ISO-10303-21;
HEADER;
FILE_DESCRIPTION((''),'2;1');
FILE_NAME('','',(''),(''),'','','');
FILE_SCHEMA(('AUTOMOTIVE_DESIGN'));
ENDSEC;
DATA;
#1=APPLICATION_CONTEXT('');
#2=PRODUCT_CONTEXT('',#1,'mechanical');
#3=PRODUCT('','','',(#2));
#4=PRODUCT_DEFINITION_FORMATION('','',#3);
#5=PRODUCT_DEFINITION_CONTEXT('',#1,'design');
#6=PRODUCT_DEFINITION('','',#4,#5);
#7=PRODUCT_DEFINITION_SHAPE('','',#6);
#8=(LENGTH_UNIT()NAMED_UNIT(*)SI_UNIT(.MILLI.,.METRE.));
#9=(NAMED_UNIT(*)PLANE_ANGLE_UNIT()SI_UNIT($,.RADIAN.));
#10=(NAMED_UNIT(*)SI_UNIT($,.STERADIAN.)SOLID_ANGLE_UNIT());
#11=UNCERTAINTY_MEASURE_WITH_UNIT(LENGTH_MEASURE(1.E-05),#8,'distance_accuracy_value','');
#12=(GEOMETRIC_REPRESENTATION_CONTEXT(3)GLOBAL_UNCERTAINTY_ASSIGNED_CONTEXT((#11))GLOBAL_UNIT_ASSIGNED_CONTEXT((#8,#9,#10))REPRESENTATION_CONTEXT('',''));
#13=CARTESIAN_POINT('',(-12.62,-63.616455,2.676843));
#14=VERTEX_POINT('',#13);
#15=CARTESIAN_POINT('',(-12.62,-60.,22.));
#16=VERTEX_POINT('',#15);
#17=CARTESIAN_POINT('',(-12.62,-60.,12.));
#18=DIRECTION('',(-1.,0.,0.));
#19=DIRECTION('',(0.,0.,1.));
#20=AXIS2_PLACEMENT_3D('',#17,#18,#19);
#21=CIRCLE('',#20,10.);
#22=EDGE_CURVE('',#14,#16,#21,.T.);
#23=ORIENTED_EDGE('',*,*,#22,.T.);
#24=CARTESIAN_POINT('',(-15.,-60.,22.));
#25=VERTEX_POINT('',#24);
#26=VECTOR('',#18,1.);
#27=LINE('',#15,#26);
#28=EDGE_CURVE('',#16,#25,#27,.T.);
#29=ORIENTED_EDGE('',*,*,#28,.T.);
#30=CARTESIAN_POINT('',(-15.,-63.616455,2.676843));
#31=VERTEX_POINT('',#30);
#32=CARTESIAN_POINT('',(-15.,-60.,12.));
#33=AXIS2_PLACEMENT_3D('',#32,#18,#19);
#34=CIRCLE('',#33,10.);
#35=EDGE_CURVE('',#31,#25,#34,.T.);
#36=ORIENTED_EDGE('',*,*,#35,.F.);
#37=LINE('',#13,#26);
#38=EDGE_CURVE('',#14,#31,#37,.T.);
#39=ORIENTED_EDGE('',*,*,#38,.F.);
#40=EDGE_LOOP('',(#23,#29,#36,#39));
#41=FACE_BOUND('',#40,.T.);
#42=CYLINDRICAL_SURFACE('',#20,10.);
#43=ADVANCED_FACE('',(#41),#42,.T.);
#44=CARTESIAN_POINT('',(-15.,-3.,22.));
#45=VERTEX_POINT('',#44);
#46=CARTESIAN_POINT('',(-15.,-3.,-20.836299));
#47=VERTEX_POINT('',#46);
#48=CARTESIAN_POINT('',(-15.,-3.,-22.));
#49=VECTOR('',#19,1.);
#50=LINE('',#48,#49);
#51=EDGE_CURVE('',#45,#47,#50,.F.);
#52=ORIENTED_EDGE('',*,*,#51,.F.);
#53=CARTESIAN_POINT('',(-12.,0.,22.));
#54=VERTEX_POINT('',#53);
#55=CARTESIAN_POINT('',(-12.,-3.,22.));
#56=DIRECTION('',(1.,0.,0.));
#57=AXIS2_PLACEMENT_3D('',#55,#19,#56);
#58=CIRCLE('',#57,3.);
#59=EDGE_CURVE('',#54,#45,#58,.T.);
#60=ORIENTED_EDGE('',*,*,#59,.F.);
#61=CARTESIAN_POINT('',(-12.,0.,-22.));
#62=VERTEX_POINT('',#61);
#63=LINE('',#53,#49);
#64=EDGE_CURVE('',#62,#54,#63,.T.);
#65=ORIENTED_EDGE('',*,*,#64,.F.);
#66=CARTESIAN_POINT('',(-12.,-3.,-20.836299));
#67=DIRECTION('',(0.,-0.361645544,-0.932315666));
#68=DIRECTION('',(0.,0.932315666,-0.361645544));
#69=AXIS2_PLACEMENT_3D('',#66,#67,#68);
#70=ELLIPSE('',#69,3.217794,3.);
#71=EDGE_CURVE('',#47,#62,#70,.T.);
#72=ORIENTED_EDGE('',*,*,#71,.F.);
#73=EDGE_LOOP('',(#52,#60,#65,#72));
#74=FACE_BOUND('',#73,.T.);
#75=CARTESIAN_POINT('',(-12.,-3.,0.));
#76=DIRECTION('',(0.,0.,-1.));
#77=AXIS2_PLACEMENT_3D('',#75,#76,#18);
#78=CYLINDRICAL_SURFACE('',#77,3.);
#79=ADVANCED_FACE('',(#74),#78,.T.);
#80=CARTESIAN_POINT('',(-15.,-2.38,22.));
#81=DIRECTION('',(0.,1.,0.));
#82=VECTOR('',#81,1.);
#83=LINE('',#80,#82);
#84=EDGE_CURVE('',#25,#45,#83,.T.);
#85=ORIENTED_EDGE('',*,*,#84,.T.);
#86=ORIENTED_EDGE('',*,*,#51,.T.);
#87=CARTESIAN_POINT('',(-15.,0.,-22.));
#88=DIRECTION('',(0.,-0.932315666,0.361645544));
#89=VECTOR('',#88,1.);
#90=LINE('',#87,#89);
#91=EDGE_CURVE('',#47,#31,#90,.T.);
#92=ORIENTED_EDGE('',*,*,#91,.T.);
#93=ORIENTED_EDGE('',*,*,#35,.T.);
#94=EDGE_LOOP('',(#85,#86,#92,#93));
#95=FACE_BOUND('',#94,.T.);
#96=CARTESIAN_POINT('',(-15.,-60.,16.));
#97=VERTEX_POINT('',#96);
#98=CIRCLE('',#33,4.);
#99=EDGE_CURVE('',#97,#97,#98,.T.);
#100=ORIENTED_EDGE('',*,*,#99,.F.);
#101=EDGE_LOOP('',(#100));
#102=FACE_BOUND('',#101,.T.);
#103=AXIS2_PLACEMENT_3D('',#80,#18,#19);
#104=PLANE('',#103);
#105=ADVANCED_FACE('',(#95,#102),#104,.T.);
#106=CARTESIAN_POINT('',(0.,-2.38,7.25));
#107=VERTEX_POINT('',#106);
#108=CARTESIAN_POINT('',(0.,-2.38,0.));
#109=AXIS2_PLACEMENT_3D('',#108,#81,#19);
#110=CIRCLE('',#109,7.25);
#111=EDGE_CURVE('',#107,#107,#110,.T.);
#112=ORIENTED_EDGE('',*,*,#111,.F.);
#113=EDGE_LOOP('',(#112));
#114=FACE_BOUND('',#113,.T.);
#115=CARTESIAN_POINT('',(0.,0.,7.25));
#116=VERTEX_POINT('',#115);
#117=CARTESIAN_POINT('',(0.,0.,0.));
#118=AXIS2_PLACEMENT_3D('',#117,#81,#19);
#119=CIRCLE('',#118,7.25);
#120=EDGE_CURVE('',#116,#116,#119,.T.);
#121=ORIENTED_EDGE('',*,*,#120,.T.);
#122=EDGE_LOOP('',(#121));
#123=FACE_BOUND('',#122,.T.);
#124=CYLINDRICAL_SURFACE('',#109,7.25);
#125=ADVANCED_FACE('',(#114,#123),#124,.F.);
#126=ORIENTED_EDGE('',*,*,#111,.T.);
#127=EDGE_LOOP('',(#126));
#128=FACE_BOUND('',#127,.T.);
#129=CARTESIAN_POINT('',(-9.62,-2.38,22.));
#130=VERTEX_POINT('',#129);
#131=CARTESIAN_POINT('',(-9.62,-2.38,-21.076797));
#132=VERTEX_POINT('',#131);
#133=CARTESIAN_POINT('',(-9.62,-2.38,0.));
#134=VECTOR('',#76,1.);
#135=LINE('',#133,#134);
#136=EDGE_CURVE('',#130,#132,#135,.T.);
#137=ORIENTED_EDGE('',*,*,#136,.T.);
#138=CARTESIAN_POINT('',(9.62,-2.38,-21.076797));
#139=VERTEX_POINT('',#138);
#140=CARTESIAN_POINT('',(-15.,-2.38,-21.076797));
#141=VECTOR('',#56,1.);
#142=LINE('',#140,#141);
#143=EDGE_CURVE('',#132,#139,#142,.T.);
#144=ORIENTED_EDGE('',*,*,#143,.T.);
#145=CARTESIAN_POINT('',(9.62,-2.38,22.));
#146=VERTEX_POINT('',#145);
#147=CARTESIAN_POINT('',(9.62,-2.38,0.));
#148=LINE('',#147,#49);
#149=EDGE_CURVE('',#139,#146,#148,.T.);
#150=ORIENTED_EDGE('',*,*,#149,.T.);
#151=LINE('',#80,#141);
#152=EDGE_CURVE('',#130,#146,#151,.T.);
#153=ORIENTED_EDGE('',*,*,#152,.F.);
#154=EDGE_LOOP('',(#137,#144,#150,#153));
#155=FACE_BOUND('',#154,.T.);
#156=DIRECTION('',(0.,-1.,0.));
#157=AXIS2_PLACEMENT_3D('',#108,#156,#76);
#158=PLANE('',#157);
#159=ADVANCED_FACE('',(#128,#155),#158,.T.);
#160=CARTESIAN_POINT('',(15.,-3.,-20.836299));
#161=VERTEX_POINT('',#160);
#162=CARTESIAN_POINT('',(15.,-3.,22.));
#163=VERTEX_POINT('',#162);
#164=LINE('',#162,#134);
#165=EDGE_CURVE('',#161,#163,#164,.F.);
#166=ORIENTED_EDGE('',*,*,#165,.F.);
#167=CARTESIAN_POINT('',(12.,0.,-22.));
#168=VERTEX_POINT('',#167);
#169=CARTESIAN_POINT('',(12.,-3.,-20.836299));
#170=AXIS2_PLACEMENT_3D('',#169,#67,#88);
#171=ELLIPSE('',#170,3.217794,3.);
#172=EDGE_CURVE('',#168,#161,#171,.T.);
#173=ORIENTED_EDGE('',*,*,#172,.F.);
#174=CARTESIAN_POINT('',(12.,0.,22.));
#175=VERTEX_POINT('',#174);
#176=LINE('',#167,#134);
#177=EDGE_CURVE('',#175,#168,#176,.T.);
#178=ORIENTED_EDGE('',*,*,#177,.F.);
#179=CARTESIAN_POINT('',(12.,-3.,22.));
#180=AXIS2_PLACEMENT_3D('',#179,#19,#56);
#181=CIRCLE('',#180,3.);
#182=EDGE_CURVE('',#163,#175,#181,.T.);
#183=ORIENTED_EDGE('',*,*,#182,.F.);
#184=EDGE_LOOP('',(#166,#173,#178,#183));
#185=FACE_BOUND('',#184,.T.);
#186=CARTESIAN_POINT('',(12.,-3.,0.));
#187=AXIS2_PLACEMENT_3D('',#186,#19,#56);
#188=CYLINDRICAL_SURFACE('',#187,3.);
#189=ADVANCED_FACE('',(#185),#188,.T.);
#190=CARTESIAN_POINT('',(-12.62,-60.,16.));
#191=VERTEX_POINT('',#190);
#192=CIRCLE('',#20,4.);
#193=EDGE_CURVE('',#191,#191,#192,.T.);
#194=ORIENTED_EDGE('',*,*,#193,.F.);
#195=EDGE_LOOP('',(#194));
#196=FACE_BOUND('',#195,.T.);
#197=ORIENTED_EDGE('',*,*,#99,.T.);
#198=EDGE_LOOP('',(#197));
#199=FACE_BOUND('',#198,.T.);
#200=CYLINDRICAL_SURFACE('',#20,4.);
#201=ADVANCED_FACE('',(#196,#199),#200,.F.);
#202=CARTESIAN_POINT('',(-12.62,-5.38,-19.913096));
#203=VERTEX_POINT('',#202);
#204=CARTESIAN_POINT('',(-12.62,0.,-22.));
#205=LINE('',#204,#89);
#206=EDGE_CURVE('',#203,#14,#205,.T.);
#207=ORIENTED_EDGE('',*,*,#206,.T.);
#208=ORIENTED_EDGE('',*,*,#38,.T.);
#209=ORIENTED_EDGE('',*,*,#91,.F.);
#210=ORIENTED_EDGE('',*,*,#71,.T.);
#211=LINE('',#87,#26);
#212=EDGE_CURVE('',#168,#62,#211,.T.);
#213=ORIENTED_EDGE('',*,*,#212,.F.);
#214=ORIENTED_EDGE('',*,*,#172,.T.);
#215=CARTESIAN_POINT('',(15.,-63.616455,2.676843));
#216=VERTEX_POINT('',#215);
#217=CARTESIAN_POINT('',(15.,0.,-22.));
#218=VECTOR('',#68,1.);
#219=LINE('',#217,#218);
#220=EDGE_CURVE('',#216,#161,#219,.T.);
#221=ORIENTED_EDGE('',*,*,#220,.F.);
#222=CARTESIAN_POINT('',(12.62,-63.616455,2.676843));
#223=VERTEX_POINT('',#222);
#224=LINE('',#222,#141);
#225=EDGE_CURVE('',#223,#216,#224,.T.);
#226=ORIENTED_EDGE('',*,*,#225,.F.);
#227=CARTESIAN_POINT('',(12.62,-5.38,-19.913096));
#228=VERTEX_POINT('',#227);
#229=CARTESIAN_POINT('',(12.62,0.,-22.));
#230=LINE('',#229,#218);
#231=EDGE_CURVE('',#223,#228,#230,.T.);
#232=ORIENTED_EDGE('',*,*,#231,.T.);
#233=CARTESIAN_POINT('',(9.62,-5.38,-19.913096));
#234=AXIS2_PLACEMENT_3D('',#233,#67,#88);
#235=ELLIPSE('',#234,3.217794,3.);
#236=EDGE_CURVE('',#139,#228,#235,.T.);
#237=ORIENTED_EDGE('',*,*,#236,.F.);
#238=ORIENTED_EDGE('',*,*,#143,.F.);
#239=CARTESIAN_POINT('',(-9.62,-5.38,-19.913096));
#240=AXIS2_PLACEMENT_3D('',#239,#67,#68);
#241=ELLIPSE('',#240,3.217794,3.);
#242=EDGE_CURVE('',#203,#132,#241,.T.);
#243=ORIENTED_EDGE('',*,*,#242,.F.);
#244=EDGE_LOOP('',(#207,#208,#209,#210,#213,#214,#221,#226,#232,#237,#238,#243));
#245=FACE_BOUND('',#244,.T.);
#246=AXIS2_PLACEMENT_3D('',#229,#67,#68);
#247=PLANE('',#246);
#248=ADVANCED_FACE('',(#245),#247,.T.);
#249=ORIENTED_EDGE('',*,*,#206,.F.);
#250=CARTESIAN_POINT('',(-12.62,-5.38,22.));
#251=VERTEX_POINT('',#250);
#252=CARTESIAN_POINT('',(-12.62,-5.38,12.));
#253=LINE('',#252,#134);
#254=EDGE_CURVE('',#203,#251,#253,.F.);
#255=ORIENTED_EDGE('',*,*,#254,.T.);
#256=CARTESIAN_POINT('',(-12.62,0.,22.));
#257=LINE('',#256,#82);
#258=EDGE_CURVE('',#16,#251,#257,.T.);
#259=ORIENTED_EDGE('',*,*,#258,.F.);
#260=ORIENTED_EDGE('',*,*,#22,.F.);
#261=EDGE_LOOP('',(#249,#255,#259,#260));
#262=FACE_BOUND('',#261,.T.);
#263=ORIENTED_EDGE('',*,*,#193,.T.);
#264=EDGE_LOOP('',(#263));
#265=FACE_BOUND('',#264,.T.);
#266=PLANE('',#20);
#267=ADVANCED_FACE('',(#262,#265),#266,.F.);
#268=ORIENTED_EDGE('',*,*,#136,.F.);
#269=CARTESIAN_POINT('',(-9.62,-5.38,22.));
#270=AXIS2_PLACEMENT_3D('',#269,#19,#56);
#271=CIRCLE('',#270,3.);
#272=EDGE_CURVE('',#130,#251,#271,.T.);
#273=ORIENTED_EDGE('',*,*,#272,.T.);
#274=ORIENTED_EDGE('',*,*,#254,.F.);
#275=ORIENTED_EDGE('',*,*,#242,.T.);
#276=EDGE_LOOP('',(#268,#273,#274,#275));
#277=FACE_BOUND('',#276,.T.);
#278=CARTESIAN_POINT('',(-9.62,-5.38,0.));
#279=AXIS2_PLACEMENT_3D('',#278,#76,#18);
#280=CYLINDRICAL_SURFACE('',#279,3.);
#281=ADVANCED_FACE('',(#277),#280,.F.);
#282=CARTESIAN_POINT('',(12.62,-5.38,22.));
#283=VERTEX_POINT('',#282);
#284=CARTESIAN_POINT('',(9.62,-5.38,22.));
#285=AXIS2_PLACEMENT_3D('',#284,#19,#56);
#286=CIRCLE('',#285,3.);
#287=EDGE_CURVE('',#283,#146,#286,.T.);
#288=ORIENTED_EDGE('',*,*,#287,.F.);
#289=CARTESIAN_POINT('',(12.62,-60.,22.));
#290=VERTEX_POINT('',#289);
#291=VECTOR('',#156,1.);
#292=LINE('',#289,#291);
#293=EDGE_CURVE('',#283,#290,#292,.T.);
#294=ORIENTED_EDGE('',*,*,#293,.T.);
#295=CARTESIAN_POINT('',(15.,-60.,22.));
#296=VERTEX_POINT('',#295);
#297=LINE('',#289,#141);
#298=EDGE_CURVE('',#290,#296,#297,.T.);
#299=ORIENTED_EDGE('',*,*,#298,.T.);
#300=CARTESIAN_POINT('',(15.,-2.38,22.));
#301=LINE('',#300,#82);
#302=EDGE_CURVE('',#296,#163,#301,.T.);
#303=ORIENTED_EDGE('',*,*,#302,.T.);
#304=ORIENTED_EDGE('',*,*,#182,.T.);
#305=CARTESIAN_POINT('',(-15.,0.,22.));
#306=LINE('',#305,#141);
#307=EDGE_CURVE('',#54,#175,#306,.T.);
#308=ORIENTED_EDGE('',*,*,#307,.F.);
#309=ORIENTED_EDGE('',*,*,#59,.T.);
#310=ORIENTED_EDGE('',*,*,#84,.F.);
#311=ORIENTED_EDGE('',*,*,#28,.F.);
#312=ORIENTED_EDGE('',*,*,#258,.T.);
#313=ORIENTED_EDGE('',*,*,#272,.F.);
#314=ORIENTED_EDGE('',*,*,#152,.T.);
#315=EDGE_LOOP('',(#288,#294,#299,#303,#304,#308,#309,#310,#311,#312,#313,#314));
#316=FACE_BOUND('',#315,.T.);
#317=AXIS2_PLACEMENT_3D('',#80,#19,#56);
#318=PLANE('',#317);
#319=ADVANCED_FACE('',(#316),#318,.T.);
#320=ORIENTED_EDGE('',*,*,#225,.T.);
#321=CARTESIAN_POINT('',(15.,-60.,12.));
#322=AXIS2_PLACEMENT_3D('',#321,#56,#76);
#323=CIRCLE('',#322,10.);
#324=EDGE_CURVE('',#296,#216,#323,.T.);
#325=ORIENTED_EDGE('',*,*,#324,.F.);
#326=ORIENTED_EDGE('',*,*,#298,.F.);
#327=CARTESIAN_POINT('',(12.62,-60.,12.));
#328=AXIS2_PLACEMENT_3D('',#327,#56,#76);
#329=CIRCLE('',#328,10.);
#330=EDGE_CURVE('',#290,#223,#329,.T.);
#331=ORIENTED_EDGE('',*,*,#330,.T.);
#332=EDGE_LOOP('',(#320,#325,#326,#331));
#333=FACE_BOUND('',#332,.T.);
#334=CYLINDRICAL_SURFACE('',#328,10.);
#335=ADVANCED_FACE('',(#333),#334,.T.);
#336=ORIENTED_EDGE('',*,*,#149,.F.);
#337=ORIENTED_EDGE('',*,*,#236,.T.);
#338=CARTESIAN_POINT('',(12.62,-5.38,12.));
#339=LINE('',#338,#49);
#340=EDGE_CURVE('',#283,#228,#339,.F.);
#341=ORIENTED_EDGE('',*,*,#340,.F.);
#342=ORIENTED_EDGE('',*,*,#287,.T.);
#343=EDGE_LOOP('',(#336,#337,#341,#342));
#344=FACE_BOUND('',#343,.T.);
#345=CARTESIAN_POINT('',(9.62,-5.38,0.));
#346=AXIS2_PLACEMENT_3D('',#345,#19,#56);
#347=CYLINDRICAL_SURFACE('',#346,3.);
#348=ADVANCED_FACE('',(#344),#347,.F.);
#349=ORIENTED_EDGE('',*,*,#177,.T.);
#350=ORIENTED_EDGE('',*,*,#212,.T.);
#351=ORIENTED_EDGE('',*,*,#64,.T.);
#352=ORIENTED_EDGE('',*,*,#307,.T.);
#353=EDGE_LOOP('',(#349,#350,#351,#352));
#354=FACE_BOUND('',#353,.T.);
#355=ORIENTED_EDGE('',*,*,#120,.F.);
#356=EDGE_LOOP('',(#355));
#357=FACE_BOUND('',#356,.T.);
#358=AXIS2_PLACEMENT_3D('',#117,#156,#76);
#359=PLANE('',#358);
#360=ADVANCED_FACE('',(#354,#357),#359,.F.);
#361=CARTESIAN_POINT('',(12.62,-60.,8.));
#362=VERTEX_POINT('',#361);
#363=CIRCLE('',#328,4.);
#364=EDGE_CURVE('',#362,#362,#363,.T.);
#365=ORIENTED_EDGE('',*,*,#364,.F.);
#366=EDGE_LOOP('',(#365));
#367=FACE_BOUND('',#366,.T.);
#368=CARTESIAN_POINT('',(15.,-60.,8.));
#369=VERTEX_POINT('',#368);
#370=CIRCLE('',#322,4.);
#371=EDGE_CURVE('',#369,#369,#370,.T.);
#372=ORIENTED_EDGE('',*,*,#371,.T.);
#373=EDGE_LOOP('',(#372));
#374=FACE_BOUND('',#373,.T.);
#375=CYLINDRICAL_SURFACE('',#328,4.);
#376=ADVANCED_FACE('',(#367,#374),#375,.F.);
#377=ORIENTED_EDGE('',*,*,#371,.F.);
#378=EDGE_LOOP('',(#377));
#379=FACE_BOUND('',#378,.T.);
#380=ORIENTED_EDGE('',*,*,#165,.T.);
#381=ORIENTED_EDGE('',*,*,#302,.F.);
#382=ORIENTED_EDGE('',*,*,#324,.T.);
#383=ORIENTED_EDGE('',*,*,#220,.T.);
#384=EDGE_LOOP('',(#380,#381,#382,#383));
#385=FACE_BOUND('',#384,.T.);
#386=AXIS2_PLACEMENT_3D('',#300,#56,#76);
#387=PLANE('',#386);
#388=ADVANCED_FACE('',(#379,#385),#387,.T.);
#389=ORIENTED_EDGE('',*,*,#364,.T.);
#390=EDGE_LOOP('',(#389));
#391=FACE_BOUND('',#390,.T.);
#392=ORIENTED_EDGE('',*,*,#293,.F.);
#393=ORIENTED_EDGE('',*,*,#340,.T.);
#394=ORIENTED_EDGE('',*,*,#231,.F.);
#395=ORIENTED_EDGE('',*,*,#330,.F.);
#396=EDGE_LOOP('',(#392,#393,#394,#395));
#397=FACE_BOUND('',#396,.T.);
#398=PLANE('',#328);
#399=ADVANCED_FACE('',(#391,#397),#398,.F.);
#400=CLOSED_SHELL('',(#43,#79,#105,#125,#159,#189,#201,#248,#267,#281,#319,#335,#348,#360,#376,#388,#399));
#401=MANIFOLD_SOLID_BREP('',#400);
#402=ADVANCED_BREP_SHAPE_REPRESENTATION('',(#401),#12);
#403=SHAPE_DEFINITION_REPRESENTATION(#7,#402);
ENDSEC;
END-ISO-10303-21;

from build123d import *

# Parameters (mm, degrees)
CROQUIS1_W              = 30
CROQUIS1_H              = 44
CROQUIS1_R              = 7.25
SALIENTE_EXTRUIR1_DEPTH = 2.38
CROQUIS2_R              = 4
SALIENTE_EXTRUIR2_DEPTH = 2.38
CORTAR_EXTRUIR1_DEPTH   = 31
CROQUIS4_R              = 4
SALIENTE_EXTRUIR3_DEPTH = 2.38
REDONDEO1_R             = 3
REDONDEO2_R             = 3
REDONDEO3_R             = 3


with BuildPart() as part:
    # Croquis1 → Saliente-Extruir1 (new body)
    with BuildSketch(Plane(origin=(0, 0, 0), x_dir=(1, 0, 0), z_dir=(0, 1, 0))):
        Rectangle(CROQUIS1_W, CROQUIS1_H)
        Circle(CROQUIS1_R, mode=Mode.SUBTRACT)
    extrude(amount=-SALIENTE_EXTRUIR1_DEPTH)

    # Croquis2 → Saliente-Extruir2 (add)
    with BuildSketch(Plane(origin=(15, 0, 0), x_dir=(0, 0, -1), z_dir=(1, 0, 0))):
        with BuildLine():
            Line((-22, -60), (-22, 0))
            Line((-22, 0), (22, 0))
            Line((22, 0), (-2.676843343, -63.616455439))
            ThreePointArc((-2.676843343, -63.616455439), (-13.839624069, -69.8293328), (-22, -60))
        make_face()
        with Locations((-12, -60)):
            Circle(CROQUIS2_R, mode=Mode.SUBTRACT)
    extrude(amount=-SALIENTE_EXTRUIR2_DEPTH)

    # Croquis3 → Cortar-Extruir1 (cut, through all)
    with BuildSketch(Plane(origin=(15, 0, 0), x_dir=(0, 0, -1), z_dir=(1, 0, 0))):
        Polygon((22, 0), (21.076797241, -2.38), (22, -2.38), align=None)
    extrude(amount=-CORTAR_EXTRUIR1_DEPTH, mode=Mode.SUBTRACT)

    # Croquis4 → Saliente-Extruir3 (add)
    with BuildSketch(Plane.ZY.offset(15)):
        with BuildLine():
            Line((-22, 0), (2.676843343, -63.616455439))
            ThreePointArc((2.676843343, -63.616455439), (13.839624069, -69.8293328), (22, -60))
            Line((22, -60), (22, 0))
            Line((22, 0), (-22, 0))
        make_face()
        with Locations((12, -60)):
            Circle(CROQUIS4_R, mode=Mode.SUBTRACT)
    extrude(amount=-SALIENTE_EXTRUIR3_DEPTH)

    # Redondeo1
    redondeo1_edges = [part.edges().sort_by_distance(p)[0] for p in [
        (12.62, -2.38, 0.461601379),
    ]]
    fillet(redondeo1_edges, radius=REDONDEO1_R)

    # Redondeo2
    redondeo2_edges = [part.edges().sort_by_distance(p)[0] for p in [
        (-12.62, -2.38, 0.461601379),
    ]]
    fillet(redondeo2_edges, radius=REDONDEO2_R)

    # Redondeo3
    redondeo3_edges = [part.edges().sort_by_distance(p)[0] for p in [
        (-15, 0, 0),
        (15, 0, 0),
    ]]
    fillet(redondeo3_edges, radius=REDONDEO3_R)


solid = part.part
